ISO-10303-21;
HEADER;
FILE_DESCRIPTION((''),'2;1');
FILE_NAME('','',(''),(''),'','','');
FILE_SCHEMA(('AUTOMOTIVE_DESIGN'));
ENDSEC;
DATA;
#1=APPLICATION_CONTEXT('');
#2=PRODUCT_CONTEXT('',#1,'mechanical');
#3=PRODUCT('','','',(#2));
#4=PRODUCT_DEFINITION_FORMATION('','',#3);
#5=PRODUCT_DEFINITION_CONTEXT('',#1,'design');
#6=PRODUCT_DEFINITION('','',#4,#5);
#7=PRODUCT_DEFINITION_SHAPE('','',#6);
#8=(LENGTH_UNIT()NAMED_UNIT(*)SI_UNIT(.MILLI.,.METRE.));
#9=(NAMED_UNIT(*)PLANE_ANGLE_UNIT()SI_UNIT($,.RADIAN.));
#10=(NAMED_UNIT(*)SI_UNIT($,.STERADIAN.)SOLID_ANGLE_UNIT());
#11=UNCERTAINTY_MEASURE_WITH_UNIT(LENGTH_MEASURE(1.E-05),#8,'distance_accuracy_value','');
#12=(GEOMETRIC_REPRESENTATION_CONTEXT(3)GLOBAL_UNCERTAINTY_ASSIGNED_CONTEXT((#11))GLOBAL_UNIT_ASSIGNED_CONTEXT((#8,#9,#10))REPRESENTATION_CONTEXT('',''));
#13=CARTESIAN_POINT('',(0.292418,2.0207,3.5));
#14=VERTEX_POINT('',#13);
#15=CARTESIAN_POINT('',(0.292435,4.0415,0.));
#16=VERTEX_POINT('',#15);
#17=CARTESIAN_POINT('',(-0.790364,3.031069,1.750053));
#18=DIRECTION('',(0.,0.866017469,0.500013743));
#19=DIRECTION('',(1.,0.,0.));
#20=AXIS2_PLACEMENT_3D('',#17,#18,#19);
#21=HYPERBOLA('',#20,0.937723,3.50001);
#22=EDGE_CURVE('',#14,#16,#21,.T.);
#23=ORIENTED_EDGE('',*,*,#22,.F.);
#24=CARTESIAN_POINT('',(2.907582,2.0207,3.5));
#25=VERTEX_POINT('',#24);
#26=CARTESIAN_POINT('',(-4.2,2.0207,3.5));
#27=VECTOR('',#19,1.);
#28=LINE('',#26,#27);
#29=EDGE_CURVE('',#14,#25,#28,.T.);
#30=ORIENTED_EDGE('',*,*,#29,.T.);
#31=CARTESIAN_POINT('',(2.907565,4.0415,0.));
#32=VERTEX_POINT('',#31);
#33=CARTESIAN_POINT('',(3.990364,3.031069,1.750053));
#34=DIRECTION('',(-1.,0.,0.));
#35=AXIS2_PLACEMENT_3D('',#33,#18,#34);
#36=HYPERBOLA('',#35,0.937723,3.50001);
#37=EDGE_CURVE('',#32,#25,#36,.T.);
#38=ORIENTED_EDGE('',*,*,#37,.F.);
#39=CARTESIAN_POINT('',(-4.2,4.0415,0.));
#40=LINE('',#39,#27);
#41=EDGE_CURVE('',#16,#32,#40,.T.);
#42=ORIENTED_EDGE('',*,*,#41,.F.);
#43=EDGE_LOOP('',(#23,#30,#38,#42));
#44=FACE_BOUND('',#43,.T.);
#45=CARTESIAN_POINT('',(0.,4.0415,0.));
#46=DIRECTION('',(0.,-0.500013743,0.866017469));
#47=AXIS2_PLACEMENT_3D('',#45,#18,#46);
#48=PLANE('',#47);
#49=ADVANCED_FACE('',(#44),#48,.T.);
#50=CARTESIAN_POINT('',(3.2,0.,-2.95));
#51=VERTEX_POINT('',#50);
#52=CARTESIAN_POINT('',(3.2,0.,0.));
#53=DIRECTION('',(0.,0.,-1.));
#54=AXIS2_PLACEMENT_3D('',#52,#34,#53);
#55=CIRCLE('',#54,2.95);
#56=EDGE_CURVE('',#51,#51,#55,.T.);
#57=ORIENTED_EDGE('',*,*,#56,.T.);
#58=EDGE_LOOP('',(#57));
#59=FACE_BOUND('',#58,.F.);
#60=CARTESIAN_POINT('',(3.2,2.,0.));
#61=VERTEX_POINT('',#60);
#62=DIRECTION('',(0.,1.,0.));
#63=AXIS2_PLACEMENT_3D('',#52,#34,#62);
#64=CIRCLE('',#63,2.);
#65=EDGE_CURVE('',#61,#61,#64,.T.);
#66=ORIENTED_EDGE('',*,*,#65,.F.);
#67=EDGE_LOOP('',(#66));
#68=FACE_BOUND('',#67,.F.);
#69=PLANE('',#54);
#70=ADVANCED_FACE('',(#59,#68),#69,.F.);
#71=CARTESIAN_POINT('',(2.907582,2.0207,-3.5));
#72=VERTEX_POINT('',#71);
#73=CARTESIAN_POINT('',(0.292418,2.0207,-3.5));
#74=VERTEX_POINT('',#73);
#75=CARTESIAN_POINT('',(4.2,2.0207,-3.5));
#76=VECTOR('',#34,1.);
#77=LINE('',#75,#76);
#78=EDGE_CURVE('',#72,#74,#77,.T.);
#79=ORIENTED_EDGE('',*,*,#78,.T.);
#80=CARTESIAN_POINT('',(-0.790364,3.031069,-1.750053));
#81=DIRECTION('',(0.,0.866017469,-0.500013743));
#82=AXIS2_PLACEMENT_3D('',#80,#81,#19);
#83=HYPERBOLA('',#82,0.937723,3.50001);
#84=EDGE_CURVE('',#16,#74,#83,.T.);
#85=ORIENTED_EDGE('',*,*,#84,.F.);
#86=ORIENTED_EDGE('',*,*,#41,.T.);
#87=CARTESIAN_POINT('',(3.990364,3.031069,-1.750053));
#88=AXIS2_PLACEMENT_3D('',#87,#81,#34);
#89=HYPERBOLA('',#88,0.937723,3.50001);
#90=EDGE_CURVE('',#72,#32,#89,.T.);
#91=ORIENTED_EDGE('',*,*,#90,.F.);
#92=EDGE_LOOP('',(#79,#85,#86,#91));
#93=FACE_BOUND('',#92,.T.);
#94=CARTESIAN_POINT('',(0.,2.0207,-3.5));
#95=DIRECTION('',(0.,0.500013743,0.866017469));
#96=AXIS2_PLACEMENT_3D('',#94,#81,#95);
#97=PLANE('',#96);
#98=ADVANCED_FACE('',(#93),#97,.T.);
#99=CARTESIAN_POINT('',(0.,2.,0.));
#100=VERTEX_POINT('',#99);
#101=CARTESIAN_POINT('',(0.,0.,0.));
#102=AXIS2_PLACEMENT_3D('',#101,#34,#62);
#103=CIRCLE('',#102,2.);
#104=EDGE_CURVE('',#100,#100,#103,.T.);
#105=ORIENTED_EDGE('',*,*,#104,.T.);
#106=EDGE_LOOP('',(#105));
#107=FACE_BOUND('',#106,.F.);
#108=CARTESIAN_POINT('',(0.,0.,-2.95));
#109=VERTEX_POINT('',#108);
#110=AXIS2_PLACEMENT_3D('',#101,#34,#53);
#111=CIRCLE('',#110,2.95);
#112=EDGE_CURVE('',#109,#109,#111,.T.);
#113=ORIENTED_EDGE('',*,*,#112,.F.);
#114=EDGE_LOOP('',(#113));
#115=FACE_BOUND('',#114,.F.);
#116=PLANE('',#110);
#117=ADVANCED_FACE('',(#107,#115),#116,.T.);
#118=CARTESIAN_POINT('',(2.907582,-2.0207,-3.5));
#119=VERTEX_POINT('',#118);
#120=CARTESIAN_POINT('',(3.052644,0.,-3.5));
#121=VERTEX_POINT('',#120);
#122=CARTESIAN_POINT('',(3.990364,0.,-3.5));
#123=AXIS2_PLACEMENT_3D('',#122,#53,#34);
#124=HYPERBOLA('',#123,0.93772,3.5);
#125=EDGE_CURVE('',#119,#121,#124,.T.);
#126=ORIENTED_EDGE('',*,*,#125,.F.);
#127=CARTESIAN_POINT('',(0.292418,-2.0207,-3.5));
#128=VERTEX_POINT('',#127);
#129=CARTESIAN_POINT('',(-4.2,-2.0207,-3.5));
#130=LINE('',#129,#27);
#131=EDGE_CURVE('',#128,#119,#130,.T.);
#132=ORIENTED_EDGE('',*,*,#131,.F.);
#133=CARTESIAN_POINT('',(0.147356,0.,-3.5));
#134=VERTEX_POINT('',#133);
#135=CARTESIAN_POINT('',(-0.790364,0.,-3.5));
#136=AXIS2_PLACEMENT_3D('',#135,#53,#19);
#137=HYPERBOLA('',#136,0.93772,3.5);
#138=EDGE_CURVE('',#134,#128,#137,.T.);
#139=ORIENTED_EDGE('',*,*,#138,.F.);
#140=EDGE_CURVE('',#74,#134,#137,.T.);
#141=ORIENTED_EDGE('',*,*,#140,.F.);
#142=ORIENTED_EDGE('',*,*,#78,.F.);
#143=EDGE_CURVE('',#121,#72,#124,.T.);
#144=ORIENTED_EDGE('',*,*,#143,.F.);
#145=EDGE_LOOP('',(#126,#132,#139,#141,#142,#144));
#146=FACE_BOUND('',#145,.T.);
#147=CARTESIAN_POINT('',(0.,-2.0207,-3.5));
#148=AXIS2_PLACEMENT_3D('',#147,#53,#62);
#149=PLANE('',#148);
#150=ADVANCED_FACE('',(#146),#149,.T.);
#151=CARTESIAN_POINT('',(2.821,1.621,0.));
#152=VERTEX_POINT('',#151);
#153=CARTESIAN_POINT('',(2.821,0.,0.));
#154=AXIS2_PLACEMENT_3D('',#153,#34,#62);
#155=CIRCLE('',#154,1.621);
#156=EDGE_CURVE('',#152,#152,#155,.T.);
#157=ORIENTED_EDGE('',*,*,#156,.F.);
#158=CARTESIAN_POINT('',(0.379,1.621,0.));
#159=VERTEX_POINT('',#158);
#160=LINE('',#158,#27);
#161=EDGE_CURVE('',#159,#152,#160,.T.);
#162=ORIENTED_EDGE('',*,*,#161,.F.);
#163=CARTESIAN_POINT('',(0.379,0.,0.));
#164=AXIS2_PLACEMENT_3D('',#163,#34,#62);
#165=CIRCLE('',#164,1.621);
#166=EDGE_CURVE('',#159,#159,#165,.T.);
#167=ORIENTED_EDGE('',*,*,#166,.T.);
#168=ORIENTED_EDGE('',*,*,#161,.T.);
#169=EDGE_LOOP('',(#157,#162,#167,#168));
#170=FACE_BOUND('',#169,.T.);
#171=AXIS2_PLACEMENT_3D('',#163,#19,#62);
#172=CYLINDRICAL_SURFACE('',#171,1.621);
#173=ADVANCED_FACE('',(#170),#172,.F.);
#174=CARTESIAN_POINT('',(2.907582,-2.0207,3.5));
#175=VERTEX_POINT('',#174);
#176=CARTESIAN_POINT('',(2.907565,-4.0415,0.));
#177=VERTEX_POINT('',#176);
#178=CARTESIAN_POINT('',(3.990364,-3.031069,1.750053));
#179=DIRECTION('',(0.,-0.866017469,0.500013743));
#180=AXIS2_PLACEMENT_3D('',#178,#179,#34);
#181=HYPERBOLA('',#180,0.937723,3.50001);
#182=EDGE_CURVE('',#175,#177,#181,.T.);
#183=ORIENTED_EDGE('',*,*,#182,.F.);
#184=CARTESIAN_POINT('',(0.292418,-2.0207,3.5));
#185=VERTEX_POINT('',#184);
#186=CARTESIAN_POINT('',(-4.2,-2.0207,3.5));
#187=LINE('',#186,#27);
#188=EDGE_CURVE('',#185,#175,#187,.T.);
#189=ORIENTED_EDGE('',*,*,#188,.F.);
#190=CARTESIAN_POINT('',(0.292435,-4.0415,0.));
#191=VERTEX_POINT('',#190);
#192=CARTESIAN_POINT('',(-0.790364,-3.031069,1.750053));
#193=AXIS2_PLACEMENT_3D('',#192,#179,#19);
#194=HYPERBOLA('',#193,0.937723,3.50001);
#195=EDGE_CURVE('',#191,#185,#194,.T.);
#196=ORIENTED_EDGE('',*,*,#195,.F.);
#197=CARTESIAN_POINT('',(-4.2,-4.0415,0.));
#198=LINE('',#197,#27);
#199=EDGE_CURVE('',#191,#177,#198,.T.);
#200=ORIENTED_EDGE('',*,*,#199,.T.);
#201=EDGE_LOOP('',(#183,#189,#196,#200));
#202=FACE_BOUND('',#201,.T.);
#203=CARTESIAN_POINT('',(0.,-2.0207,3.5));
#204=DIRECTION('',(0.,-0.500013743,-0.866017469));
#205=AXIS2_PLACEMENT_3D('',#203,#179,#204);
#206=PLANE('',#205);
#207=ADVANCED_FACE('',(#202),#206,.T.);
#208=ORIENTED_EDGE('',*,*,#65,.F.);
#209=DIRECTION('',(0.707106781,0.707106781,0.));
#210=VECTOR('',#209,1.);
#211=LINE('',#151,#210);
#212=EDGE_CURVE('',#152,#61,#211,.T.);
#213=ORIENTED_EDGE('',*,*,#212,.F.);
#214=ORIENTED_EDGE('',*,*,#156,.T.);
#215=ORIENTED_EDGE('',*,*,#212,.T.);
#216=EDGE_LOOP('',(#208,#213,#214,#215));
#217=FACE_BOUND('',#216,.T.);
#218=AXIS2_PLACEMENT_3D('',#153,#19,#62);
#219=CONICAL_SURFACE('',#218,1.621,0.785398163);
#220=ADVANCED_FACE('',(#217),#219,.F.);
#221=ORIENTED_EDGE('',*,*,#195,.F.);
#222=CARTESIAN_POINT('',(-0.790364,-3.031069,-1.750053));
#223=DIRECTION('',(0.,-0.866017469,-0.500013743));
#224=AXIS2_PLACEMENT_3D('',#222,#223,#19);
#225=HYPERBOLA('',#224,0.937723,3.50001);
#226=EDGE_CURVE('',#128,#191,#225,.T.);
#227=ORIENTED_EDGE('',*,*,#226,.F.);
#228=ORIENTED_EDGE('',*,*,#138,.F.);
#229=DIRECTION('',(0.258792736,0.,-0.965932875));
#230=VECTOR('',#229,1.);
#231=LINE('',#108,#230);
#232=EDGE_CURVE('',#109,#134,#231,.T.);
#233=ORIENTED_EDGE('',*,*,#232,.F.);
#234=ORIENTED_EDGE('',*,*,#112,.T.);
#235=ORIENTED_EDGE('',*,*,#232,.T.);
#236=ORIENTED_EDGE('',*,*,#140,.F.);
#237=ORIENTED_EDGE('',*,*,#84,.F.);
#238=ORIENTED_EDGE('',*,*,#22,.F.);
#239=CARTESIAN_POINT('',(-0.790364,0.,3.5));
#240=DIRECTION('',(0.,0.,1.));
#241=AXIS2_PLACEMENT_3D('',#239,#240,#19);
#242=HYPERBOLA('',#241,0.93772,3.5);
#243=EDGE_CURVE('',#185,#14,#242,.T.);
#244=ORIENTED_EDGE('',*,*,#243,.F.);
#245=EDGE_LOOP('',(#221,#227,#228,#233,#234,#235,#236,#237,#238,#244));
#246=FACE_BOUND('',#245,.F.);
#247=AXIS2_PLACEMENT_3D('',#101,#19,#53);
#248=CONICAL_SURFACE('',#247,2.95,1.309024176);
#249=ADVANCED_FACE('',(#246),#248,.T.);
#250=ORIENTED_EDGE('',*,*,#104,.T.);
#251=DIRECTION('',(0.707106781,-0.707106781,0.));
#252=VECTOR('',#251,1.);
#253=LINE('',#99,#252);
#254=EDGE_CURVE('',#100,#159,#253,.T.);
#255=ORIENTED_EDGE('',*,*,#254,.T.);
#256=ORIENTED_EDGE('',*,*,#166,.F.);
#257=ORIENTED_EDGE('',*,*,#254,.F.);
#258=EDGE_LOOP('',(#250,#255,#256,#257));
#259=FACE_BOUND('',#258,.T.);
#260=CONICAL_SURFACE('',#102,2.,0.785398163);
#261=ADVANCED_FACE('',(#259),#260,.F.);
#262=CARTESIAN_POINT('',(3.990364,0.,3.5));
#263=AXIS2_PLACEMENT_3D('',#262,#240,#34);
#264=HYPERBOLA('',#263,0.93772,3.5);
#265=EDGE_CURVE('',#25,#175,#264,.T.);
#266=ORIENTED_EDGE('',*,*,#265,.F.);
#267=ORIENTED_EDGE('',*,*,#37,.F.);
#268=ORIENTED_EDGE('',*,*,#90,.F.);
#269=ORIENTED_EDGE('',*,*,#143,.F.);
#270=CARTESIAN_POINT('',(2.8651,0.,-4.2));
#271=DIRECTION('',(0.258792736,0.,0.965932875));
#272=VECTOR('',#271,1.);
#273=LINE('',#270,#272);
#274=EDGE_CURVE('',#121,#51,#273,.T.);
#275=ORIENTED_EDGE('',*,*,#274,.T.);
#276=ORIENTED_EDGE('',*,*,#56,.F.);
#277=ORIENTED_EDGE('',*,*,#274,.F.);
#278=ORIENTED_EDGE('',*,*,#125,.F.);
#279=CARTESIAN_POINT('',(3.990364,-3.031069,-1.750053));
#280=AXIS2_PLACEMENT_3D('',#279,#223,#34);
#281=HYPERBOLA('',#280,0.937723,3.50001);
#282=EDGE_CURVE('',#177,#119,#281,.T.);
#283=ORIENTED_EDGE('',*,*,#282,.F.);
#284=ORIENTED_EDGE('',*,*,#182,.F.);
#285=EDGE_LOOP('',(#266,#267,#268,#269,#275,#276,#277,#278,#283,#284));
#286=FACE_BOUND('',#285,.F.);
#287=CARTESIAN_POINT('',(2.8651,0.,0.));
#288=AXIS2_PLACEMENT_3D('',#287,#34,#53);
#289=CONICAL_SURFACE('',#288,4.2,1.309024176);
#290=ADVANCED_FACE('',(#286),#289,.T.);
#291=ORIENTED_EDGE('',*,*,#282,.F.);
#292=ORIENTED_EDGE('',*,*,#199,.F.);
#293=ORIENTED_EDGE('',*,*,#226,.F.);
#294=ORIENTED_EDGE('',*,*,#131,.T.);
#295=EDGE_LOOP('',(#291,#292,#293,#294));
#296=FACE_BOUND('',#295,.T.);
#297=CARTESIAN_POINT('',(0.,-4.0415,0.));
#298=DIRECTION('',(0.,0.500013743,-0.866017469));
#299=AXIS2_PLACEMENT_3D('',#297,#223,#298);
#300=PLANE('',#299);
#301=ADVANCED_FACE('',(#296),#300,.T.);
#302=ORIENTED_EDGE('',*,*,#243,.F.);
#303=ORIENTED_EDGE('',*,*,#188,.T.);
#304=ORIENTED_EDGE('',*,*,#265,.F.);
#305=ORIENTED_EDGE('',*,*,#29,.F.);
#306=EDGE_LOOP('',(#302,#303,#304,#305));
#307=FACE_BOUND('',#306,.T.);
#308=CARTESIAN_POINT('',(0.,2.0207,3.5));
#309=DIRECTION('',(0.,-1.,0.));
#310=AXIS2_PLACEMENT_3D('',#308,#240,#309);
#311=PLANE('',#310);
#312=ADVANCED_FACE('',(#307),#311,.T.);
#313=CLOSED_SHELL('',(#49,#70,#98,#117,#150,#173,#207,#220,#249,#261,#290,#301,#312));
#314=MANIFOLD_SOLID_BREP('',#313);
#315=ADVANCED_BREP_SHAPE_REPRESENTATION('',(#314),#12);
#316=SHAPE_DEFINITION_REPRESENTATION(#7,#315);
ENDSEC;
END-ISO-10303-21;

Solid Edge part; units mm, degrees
sketch "Sketch1" plane through (0, 0, 0) normal (0, -1, 0) x (1, 0, 0)
  line L0 (0, 0) -> (0, -2.95)
  line L1 (0, -2.95) -> (0.3349, -4.2)
  line L2 (0.3349, -4.2) -> (2.8651, -4.2)
  line L3 (2.8651, -4.2) -> (3.2, -2.95)
  line L4 (3.2, -2.95) -> (3.2, 0)
  line L5 (3.2, 0) -> (0, 0)
revolve "RevolvedProtrusion1" add sketch "Sketch1" angle 360 about axis through (3.2, 0, 0) along (-1, 0, 0)
sketch "Sketch2" plane through (0, 0, 0) normal (1, 0, 0) x (0, 1, 0)
  line L0 (14, 14) -> (-14, 14)
  line L1 (-14, 14) -> (-14, -14)
  line L2 (-14, -14) -> (14, -14)
  line L3 (14, -14) -> (14, 14)
  line L4 (2.0207, 3.5) -> (-2.0207, 3.5)
  line L5 (-2.0207, 3.5) -> (-4.0415, 0)
  line L6 (-4.0415, 0) -> (-2.0207, -3.5)
  line L7 (-2.0207, -3.5) -> (2.0207, -3.5)
  line L8 (2.0207, -3.5) -> (4.0415, 0)
  line L9 (4.0415, 0) -> (2.0207, 3.5)
extrude "ExtrudedCutout_1" cut sketch "Sketch2" against normal blind 4.2 and the other way blind 4.2
sketch "Sketch3" plane through (0, 0, 0) normal (0, 0, 1) x (1, 0, 0)
  line L0 (0, 0) -> (0, 2)
  line L1 (0, 2) -> (0.379, 1.621)
  line L2 (0.379, 1.621) -> (2.821, 1.621)
  line L3 (2.821, 1.621) -> (3.2, 2)
  line L4 (3.2, 2) -> (3.2, 0)
  line L5 (3.2, 0) -> (0, 0)
revolve "RevolvedCutout1" cut sketch "Sketch3" angle 360 about axis through (3.2, 0, 0) along (-1, 0, 0)
cosmetic_thread "Thread1" size "M4"
properties part number "Hexagon nut - style 1 JIS B 1181 M4"
